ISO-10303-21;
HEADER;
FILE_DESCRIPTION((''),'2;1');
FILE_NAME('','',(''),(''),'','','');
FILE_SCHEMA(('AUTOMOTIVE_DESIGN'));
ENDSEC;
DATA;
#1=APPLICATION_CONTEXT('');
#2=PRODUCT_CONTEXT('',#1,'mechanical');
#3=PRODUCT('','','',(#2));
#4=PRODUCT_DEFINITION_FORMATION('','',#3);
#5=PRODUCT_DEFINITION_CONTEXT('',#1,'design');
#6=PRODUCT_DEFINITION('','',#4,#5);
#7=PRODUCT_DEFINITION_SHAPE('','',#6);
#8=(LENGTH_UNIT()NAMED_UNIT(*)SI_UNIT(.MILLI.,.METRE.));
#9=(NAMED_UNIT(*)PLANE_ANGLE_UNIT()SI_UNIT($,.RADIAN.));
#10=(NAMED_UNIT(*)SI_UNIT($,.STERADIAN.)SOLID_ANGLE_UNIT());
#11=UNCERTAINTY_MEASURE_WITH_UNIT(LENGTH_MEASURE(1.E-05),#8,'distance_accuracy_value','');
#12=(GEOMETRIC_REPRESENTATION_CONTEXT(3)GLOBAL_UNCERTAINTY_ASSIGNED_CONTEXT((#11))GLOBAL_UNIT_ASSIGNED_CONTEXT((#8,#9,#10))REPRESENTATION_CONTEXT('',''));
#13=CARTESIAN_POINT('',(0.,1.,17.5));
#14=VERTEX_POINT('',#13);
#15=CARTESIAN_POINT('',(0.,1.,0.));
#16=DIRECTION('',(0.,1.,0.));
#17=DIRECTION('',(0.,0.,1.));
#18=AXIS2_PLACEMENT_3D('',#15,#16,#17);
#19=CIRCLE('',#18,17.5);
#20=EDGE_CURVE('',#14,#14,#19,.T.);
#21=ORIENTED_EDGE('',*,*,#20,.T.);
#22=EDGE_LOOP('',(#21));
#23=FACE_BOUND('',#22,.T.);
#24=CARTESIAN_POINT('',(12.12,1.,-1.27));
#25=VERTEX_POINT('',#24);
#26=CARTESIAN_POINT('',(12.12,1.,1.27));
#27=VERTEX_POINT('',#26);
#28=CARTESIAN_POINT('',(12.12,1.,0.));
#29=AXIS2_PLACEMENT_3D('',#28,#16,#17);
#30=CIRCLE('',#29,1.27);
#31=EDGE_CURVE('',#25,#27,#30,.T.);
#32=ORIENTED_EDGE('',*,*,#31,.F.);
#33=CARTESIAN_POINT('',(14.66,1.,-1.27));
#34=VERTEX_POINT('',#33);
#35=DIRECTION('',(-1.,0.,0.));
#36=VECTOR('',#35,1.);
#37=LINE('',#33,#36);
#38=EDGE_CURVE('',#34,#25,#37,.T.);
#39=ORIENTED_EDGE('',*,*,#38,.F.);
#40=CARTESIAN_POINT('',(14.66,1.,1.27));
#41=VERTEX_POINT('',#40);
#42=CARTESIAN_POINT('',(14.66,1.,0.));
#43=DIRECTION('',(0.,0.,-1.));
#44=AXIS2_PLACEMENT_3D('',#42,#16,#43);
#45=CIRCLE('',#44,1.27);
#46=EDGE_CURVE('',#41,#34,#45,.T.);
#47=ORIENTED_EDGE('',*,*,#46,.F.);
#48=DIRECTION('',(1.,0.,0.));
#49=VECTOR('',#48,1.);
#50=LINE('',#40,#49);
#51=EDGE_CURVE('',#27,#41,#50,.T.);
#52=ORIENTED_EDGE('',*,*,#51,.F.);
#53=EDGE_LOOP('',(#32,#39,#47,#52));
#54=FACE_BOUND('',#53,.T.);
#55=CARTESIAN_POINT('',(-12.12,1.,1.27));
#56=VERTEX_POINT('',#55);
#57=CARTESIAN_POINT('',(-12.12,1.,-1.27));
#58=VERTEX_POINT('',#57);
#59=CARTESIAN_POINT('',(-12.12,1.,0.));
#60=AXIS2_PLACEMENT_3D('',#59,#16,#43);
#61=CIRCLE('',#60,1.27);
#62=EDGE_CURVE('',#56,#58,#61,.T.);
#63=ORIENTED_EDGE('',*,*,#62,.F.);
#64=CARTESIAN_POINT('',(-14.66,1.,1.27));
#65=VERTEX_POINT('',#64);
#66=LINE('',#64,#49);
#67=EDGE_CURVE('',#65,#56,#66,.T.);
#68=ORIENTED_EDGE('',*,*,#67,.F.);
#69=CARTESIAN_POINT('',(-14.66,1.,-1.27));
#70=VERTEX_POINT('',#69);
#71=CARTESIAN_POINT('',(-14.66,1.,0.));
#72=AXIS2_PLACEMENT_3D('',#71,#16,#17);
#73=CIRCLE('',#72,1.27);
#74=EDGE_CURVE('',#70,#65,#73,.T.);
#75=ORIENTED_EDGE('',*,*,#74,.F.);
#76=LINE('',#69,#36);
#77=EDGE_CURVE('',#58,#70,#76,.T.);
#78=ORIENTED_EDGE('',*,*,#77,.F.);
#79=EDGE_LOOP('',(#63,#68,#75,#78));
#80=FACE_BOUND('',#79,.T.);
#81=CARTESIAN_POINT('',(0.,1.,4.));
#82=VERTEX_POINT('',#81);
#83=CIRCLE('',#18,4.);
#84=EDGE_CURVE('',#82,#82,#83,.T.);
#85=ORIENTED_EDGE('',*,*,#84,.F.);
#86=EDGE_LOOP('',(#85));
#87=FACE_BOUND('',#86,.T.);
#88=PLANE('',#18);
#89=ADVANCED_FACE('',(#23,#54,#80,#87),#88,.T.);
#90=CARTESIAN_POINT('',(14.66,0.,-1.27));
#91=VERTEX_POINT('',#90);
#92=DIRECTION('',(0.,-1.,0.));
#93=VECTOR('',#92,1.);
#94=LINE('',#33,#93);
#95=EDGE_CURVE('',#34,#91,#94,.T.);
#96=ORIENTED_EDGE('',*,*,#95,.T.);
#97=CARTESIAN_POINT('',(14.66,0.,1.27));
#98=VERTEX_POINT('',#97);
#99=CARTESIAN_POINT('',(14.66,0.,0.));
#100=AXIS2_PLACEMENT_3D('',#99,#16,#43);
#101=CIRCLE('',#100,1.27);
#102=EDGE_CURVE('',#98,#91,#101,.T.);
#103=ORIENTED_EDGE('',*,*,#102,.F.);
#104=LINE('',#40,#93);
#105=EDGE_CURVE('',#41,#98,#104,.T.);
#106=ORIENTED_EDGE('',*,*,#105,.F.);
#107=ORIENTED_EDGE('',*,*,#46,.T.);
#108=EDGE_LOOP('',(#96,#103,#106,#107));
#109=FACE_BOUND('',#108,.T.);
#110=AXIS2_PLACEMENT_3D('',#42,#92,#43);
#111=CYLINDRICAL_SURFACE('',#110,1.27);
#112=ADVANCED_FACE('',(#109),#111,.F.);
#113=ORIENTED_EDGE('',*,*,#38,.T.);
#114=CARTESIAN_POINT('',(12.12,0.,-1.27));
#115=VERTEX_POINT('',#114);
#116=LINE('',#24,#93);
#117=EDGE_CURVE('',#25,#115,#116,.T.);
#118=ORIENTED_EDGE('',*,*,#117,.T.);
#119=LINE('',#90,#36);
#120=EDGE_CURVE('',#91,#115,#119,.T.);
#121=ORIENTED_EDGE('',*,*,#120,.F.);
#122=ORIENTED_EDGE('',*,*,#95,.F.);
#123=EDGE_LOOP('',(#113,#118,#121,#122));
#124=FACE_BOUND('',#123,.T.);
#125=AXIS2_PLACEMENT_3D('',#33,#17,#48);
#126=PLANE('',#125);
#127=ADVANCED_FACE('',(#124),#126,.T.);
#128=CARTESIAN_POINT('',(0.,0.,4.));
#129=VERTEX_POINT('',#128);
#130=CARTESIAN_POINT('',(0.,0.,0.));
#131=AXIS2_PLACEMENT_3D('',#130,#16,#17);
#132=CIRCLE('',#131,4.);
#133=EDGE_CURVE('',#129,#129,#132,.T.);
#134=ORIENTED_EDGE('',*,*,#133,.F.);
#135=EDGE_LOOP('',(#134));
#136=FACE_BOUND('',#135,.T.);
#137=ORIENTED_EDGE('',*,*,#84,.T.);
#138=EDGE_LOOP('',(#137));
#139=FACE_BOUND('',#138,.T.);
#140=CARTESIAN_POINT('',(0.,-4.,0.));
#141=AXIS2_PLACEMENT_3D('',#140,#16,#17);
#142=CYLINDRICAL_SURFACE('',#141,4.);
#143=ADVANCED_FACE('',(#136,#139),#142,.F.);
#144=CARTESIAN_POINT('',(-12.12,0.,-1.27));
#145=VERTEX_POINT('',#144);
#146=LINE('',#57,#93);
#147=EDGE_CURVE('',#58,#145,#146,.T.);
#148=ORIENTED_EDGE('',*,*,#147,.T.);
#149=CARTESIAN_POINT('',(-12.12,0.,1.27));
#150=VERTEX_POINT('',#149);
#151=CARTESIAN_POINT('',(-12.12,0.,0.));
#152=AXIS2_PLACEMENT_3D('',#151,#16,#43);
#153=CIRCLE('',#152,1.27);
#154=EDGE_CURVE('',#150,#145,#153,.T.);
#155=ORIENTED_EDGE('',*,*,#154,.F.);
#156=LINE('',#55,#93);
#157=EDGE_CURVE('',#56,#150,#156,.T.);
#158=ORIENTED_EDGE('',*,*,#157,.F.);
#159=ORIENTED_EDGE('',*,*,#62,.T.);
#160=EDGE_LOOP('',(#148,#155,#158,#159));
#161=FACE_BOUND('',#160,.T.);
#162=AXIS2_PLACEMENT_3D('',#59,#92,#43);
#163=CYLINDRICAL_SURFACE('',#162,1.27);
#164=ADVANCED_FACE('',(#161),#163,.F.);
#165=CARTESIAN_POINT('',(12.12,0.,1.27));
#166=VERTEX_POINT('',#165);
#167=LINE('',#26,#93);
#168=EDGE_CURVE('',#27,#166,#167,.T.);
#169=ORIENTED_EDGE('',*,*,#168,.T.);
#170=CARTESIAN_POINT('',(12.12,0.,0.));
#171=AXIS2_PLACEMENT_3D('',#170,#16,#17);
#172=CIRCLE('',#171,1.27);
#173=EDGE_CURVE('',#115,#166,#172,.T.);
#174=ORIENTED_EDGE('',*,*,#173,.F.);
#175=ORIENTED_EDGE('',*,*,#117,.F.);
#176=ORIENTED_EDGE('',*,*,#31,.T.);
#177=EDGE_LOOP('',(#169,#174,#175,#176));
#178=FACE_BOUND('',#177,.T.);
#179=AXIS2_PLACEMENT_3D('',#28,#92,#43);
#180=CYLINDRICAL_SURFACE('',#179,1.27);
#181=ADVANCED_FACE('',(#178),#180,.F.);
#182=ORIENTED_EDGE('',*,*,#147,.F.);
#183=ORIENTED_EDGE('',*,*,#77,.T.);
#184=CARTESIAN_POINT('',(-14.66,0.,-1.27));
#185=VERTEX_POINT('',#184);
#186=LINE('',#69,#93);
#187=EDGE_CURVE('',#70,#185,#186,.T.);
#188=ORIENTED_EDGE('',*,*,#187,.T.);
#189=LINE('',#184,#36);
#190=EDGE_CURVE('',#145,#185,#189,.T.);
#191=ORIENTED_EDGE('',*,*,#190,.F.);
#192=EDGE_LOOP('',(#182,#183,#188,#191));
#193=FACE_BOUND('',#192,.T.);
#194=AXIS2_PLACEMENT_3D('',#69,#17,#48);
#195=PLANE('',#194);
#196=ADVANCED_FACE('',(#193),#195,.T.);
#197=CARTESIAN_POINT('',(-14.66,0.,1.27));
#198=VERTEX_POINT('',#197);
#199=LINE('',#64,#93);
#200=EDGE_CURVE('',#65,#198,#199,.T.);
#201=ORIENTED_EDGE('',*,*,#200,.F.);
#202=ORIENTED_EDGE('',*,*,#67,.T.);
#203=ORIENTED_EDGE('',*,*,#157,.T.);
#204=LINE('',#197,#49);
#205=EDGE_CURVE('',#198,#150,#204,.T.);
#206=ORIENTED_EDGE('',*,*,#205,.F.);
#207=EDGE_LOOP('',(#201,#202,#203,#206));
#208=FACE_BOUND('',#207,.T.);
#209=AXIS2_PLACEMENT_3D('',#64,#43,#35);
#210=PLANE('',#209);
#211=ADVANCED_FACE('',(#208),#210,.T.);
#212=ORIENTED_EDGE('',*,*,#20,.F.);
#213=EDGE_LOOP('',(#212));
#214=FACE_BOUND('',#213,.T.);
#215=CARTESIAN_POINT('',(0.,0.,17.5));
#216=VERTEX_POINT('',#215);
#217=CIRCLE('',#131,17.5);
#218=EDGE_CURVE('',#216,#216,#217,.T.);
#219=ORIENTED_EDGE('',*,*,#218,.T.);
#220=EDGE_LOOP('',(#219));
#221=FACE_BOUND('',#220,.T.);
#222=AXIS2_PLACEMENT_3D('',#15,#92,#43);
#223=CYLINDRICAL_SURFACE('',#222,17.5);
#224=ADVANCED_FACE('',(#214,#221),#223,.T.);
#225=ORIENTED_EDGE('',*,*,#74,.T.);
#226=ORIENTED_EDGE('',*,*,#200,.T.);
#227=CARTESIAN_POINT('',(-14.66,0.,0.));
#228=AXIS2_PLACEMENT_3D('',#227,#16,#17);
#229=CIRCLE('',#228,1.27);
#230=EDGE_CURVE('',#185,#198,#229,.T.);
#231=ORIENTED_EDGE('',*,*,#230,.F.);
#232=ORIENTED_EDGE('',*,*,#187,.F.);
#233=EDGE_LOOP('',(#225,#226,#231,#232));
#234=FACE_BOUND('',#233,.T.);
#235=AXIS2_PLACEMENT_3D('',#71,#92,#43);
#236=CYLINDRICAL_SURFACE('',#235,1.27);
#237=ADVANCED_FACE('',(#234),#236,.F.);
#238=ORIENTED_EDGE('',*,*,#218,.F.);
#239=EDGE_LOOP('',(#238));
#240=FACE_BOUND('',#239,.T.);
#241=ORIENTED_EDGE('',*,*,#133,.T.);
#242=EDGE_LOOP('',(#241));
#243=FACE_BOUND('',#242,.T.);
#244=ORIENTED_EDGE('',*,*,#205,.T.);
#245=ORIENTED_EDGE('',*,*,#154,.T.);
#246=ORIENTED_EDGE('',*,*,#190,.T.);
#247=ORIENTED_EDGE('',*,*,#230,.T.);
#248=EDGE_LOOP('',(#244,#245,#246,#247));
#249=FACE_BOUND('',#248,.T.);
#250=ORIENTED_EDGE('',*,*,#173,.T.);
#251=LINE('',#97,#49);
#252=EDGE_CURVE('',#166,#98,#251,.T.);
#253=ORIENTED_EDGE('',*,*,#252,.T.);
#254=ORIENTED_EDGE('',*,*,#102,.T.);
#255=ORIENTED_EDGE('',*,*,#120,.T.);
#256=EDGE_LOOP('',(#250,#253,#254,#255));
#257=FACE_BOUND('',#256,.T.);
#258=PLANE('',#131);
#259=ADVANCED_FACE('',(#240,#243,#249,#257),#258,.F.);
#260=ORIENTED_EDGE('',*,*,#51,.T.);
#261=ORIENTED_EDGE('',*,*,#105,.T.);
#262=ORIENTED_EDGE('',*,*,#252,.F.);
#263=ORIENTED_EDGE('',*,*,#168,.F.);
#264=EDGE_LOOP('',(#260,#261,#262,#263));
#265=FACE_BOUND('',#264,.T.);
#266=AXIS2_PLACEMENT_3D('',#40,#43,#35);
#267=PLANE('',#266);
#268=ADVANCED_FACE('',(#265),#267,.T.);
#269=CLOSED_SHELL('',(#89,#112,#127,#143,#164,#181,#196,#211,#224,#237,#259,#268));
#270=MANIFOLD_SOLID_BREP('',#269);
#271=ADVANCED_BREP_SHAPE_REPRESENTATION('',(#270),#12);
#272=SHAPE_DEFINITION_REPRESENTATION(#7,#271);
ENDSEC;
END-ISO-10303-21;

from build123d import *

# Parameters (mm, degrees)
SKETCH1_R           = 17.5
BOSS_EXTRUDE1_DEPTH = 1
SKETCH2_R           = 4
CUT_EXTRUDE1_DEPTH  = 5


with BuildPart() as part:
    # Sketch1 → Boss-Extrude1 (new body)
    with BuildSketch(Plane(origin=(0, 0, 0), x_dir=(1, 0, 0), z_dir=(0, 1, 0))):
        with Locations(Location((0, 0, 0), (0, 0, 270))):
            Circle(SKETCH1_R)
        with BuildLine():
            Line((14.66, 1.27), (12.12, 1.27))
            ThreePointArc((12.12, 1.27), (10.85, 0), (12.12, -1.27))
            Line((12.12, -1.27), (14.66, -1.27))
            ThreePointArc((14.66, -1.27), (15.93, 0), (14.66, 1.27))
        make_face(mode=Mode.SUBTRACT)
        with BuildLine():
            Line((-14.66, -1.27), (-12.12, -1.27))
            ThreePointArc((-12.12, -1.27), (-10.85, 0), (-12.12, 1.27))
            Line((-12.12, 1.27), (-14.66, 1.27))
            ThreePointArc((-14.66, 1.27), (-15.93, 0), (-14.66, -1.27))
        make_face(mode=Mode.SUBTRACT)
    extrude(amount=BOSS_EXTRUDE1_DEPTH)

    # Sketch2 → Cut-Extrude1 (cut, symmetric)
    with BuildSketch(Plane(origin=(0, 1, 0), x_dir=(1, 0, 0), z_dir=(0, 1, 0))):
        with Locations(Location((0, 0, 0), (0, 0, 270))):
            Circle(SKETCH2_R)
    extrude(amount=CUT_EXTRUDE1_DEPTH, both=True, mode=Mode.SUBTRACT)


solid = part.part
